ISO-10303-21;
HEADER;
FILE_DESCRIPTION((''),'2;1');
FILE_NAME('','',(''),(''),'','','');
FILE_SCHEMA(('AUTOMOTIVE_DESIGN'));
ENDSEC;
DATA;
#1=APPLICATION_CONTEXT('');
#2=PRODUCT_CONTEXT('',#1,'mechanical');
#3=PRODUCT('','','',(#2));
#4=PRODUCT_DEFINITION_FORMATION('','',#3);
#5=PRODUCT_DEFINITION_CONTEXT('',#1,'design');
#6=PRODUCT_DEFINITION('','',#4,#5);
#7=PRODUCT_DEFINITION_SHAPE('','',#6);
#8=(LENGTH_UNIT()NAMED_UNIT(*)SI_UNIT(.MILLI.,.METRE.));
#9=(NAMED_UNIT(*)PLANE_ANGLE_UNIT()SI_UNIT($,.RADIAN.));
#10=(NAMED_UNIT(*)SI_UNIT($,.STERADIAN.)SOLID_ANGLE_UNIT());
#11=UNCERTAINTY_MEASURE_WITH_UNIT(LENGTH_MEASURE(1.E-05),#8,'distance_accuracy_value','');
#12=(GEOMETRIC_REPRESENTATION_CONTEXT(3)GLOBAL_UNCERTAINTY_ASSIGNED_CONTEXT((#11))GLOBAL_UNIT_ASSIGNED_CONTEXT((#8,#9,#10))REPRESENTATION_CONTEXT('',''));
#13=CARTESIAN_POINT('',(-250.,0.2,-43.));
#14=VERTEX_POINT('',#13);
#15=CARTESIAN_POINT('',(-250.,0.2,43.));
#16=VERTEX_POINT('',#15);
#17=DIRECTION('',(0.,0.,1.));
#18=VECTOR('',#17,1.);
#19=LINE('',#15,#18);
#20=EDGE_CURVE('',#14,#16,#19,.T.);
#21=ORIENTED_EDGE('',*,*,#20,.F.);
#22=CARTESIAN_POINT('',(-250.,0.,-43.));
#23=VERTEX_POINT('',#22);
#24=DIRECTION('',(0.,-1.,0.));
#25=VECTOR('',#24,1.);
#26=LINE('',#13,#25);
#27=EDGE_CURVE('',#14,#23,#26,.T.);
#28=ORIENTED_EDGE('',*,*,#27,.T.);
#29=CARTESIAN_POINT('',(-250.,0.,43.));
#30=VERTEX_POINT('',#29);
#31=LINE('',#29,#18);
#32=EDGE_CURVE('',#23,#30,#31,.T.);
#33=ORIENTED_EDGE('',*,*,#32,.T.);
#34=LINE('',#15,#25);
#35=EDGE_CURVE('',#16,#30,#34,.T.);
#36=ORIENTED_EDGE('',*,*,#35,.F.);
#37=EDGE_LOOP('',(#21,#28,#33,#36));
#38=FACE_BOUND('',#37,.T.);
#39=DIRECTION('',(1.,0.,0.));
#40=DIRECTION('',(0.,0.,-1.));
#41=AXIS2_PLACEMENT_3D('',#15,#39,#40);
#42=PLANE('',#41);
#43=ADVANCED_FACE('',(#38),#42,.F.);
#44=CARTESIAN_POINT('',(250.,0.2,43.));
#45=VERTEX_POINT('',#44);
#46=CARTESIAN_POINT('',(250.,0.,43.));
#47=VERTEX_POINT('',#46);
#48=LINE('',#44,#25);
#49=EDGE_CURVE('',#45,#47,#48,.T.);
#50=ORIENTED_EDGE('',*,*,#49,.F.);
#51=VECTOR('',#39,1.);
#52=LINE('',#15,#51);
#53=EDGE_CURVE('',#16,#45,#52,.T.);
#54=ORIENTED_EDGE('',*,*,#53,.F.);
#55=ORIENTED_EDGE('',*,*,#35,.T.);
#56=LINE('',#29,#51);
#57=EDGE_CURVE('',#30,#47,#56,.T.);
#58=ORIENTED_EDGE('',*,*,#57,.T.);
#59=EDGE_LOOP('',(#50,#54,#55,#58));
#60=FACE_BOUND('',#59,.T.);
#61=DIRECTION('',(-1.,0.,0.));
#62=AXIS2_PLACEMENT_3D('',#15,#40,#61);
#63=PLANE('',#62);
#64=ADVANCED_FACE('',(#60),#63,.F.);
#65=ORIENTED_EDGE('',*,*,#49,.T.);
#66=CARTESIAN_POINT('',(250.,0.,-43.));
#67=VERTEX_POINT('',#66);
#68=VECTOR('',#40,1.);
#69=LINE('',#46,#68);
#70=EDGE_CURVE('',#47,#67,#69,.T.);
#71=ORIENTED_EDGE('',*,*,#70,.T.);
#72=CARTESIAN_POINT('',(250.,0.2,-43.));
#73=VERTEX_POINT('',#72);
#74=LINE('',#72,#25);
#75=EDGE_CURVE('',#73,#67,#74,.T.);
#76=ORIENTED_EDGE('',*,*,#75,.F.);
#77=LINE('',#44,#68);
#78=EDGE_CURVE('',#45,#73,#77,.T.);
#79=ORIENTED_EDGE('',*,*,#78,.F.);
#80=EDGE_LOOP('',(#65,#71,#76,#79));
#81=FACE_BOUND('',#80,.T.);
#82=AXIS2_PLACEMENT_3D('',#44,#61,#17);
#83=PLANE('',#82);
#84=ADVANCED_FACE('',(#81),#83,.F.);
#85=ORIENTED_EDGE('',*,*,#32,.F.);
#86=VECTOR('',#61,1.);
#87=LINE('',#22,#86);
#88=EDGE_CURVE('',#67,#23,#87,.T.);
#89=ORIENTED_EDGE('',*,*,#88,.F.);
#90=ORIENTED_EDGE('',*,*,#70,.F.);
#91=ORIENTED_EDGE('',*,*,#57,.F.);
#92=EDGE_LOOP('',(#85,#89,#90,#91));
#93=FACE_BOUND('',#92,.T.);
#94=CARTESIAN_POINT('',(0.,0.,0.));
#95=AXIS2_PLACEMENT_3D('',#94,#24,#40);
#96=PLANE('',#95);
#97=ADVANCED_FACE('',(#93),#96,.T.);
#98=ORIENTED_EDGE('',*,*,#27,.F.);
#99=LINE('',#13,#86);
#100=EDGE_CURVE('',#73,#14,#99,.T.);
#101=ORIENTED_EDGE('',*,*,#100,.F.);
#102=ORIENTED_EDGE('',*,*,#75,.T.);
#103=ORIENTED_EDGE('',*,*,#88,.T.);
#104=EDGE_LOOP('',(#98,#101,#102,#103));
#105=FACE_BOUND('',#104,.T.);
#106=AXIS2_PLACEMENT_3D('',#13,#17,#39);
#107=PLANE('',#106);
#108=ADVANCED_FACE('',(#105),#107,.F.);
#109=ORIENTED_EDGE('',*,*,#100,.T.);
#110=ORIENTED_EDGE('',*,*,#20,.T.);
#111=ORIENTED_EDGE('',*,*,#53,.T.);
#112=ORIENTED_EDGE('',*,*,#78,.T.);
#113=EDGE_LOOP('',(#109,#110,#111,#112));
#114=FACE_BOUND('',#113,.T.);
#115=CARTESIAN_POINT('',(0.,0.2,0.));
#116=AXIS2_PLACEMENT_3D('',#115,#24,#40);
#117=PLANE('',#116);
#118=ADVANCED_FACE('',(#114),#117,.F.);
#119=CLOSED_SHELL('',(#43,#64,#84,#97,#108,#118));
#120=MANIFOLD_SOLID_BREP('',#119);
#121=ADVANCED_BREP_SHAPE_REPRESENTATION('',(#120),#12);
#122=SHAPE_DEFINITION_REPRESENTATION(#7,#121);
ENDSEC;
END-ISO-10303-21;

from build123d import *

# Parameters (mm, degrees)
ESQUISSE1_W        = 500
ESQUISSE1_H        = 86
BOSS_EXTRU_1_DEPTH = 0.2


with BuildPart() as part:
    # Esquisse1 → Boss.-Extru.1 (new body)
    with BuildSketch(Plane(origin=(0, 0, 0), x_dir=(1, 0, 0), z_dir=(0, 1, 0))):
        Rectangle(ESQUISSE1_W, ESQUISSE1_H)
    extrude(amount=BOSS_EXTRU_1_DEPTH)


solid = part.part
